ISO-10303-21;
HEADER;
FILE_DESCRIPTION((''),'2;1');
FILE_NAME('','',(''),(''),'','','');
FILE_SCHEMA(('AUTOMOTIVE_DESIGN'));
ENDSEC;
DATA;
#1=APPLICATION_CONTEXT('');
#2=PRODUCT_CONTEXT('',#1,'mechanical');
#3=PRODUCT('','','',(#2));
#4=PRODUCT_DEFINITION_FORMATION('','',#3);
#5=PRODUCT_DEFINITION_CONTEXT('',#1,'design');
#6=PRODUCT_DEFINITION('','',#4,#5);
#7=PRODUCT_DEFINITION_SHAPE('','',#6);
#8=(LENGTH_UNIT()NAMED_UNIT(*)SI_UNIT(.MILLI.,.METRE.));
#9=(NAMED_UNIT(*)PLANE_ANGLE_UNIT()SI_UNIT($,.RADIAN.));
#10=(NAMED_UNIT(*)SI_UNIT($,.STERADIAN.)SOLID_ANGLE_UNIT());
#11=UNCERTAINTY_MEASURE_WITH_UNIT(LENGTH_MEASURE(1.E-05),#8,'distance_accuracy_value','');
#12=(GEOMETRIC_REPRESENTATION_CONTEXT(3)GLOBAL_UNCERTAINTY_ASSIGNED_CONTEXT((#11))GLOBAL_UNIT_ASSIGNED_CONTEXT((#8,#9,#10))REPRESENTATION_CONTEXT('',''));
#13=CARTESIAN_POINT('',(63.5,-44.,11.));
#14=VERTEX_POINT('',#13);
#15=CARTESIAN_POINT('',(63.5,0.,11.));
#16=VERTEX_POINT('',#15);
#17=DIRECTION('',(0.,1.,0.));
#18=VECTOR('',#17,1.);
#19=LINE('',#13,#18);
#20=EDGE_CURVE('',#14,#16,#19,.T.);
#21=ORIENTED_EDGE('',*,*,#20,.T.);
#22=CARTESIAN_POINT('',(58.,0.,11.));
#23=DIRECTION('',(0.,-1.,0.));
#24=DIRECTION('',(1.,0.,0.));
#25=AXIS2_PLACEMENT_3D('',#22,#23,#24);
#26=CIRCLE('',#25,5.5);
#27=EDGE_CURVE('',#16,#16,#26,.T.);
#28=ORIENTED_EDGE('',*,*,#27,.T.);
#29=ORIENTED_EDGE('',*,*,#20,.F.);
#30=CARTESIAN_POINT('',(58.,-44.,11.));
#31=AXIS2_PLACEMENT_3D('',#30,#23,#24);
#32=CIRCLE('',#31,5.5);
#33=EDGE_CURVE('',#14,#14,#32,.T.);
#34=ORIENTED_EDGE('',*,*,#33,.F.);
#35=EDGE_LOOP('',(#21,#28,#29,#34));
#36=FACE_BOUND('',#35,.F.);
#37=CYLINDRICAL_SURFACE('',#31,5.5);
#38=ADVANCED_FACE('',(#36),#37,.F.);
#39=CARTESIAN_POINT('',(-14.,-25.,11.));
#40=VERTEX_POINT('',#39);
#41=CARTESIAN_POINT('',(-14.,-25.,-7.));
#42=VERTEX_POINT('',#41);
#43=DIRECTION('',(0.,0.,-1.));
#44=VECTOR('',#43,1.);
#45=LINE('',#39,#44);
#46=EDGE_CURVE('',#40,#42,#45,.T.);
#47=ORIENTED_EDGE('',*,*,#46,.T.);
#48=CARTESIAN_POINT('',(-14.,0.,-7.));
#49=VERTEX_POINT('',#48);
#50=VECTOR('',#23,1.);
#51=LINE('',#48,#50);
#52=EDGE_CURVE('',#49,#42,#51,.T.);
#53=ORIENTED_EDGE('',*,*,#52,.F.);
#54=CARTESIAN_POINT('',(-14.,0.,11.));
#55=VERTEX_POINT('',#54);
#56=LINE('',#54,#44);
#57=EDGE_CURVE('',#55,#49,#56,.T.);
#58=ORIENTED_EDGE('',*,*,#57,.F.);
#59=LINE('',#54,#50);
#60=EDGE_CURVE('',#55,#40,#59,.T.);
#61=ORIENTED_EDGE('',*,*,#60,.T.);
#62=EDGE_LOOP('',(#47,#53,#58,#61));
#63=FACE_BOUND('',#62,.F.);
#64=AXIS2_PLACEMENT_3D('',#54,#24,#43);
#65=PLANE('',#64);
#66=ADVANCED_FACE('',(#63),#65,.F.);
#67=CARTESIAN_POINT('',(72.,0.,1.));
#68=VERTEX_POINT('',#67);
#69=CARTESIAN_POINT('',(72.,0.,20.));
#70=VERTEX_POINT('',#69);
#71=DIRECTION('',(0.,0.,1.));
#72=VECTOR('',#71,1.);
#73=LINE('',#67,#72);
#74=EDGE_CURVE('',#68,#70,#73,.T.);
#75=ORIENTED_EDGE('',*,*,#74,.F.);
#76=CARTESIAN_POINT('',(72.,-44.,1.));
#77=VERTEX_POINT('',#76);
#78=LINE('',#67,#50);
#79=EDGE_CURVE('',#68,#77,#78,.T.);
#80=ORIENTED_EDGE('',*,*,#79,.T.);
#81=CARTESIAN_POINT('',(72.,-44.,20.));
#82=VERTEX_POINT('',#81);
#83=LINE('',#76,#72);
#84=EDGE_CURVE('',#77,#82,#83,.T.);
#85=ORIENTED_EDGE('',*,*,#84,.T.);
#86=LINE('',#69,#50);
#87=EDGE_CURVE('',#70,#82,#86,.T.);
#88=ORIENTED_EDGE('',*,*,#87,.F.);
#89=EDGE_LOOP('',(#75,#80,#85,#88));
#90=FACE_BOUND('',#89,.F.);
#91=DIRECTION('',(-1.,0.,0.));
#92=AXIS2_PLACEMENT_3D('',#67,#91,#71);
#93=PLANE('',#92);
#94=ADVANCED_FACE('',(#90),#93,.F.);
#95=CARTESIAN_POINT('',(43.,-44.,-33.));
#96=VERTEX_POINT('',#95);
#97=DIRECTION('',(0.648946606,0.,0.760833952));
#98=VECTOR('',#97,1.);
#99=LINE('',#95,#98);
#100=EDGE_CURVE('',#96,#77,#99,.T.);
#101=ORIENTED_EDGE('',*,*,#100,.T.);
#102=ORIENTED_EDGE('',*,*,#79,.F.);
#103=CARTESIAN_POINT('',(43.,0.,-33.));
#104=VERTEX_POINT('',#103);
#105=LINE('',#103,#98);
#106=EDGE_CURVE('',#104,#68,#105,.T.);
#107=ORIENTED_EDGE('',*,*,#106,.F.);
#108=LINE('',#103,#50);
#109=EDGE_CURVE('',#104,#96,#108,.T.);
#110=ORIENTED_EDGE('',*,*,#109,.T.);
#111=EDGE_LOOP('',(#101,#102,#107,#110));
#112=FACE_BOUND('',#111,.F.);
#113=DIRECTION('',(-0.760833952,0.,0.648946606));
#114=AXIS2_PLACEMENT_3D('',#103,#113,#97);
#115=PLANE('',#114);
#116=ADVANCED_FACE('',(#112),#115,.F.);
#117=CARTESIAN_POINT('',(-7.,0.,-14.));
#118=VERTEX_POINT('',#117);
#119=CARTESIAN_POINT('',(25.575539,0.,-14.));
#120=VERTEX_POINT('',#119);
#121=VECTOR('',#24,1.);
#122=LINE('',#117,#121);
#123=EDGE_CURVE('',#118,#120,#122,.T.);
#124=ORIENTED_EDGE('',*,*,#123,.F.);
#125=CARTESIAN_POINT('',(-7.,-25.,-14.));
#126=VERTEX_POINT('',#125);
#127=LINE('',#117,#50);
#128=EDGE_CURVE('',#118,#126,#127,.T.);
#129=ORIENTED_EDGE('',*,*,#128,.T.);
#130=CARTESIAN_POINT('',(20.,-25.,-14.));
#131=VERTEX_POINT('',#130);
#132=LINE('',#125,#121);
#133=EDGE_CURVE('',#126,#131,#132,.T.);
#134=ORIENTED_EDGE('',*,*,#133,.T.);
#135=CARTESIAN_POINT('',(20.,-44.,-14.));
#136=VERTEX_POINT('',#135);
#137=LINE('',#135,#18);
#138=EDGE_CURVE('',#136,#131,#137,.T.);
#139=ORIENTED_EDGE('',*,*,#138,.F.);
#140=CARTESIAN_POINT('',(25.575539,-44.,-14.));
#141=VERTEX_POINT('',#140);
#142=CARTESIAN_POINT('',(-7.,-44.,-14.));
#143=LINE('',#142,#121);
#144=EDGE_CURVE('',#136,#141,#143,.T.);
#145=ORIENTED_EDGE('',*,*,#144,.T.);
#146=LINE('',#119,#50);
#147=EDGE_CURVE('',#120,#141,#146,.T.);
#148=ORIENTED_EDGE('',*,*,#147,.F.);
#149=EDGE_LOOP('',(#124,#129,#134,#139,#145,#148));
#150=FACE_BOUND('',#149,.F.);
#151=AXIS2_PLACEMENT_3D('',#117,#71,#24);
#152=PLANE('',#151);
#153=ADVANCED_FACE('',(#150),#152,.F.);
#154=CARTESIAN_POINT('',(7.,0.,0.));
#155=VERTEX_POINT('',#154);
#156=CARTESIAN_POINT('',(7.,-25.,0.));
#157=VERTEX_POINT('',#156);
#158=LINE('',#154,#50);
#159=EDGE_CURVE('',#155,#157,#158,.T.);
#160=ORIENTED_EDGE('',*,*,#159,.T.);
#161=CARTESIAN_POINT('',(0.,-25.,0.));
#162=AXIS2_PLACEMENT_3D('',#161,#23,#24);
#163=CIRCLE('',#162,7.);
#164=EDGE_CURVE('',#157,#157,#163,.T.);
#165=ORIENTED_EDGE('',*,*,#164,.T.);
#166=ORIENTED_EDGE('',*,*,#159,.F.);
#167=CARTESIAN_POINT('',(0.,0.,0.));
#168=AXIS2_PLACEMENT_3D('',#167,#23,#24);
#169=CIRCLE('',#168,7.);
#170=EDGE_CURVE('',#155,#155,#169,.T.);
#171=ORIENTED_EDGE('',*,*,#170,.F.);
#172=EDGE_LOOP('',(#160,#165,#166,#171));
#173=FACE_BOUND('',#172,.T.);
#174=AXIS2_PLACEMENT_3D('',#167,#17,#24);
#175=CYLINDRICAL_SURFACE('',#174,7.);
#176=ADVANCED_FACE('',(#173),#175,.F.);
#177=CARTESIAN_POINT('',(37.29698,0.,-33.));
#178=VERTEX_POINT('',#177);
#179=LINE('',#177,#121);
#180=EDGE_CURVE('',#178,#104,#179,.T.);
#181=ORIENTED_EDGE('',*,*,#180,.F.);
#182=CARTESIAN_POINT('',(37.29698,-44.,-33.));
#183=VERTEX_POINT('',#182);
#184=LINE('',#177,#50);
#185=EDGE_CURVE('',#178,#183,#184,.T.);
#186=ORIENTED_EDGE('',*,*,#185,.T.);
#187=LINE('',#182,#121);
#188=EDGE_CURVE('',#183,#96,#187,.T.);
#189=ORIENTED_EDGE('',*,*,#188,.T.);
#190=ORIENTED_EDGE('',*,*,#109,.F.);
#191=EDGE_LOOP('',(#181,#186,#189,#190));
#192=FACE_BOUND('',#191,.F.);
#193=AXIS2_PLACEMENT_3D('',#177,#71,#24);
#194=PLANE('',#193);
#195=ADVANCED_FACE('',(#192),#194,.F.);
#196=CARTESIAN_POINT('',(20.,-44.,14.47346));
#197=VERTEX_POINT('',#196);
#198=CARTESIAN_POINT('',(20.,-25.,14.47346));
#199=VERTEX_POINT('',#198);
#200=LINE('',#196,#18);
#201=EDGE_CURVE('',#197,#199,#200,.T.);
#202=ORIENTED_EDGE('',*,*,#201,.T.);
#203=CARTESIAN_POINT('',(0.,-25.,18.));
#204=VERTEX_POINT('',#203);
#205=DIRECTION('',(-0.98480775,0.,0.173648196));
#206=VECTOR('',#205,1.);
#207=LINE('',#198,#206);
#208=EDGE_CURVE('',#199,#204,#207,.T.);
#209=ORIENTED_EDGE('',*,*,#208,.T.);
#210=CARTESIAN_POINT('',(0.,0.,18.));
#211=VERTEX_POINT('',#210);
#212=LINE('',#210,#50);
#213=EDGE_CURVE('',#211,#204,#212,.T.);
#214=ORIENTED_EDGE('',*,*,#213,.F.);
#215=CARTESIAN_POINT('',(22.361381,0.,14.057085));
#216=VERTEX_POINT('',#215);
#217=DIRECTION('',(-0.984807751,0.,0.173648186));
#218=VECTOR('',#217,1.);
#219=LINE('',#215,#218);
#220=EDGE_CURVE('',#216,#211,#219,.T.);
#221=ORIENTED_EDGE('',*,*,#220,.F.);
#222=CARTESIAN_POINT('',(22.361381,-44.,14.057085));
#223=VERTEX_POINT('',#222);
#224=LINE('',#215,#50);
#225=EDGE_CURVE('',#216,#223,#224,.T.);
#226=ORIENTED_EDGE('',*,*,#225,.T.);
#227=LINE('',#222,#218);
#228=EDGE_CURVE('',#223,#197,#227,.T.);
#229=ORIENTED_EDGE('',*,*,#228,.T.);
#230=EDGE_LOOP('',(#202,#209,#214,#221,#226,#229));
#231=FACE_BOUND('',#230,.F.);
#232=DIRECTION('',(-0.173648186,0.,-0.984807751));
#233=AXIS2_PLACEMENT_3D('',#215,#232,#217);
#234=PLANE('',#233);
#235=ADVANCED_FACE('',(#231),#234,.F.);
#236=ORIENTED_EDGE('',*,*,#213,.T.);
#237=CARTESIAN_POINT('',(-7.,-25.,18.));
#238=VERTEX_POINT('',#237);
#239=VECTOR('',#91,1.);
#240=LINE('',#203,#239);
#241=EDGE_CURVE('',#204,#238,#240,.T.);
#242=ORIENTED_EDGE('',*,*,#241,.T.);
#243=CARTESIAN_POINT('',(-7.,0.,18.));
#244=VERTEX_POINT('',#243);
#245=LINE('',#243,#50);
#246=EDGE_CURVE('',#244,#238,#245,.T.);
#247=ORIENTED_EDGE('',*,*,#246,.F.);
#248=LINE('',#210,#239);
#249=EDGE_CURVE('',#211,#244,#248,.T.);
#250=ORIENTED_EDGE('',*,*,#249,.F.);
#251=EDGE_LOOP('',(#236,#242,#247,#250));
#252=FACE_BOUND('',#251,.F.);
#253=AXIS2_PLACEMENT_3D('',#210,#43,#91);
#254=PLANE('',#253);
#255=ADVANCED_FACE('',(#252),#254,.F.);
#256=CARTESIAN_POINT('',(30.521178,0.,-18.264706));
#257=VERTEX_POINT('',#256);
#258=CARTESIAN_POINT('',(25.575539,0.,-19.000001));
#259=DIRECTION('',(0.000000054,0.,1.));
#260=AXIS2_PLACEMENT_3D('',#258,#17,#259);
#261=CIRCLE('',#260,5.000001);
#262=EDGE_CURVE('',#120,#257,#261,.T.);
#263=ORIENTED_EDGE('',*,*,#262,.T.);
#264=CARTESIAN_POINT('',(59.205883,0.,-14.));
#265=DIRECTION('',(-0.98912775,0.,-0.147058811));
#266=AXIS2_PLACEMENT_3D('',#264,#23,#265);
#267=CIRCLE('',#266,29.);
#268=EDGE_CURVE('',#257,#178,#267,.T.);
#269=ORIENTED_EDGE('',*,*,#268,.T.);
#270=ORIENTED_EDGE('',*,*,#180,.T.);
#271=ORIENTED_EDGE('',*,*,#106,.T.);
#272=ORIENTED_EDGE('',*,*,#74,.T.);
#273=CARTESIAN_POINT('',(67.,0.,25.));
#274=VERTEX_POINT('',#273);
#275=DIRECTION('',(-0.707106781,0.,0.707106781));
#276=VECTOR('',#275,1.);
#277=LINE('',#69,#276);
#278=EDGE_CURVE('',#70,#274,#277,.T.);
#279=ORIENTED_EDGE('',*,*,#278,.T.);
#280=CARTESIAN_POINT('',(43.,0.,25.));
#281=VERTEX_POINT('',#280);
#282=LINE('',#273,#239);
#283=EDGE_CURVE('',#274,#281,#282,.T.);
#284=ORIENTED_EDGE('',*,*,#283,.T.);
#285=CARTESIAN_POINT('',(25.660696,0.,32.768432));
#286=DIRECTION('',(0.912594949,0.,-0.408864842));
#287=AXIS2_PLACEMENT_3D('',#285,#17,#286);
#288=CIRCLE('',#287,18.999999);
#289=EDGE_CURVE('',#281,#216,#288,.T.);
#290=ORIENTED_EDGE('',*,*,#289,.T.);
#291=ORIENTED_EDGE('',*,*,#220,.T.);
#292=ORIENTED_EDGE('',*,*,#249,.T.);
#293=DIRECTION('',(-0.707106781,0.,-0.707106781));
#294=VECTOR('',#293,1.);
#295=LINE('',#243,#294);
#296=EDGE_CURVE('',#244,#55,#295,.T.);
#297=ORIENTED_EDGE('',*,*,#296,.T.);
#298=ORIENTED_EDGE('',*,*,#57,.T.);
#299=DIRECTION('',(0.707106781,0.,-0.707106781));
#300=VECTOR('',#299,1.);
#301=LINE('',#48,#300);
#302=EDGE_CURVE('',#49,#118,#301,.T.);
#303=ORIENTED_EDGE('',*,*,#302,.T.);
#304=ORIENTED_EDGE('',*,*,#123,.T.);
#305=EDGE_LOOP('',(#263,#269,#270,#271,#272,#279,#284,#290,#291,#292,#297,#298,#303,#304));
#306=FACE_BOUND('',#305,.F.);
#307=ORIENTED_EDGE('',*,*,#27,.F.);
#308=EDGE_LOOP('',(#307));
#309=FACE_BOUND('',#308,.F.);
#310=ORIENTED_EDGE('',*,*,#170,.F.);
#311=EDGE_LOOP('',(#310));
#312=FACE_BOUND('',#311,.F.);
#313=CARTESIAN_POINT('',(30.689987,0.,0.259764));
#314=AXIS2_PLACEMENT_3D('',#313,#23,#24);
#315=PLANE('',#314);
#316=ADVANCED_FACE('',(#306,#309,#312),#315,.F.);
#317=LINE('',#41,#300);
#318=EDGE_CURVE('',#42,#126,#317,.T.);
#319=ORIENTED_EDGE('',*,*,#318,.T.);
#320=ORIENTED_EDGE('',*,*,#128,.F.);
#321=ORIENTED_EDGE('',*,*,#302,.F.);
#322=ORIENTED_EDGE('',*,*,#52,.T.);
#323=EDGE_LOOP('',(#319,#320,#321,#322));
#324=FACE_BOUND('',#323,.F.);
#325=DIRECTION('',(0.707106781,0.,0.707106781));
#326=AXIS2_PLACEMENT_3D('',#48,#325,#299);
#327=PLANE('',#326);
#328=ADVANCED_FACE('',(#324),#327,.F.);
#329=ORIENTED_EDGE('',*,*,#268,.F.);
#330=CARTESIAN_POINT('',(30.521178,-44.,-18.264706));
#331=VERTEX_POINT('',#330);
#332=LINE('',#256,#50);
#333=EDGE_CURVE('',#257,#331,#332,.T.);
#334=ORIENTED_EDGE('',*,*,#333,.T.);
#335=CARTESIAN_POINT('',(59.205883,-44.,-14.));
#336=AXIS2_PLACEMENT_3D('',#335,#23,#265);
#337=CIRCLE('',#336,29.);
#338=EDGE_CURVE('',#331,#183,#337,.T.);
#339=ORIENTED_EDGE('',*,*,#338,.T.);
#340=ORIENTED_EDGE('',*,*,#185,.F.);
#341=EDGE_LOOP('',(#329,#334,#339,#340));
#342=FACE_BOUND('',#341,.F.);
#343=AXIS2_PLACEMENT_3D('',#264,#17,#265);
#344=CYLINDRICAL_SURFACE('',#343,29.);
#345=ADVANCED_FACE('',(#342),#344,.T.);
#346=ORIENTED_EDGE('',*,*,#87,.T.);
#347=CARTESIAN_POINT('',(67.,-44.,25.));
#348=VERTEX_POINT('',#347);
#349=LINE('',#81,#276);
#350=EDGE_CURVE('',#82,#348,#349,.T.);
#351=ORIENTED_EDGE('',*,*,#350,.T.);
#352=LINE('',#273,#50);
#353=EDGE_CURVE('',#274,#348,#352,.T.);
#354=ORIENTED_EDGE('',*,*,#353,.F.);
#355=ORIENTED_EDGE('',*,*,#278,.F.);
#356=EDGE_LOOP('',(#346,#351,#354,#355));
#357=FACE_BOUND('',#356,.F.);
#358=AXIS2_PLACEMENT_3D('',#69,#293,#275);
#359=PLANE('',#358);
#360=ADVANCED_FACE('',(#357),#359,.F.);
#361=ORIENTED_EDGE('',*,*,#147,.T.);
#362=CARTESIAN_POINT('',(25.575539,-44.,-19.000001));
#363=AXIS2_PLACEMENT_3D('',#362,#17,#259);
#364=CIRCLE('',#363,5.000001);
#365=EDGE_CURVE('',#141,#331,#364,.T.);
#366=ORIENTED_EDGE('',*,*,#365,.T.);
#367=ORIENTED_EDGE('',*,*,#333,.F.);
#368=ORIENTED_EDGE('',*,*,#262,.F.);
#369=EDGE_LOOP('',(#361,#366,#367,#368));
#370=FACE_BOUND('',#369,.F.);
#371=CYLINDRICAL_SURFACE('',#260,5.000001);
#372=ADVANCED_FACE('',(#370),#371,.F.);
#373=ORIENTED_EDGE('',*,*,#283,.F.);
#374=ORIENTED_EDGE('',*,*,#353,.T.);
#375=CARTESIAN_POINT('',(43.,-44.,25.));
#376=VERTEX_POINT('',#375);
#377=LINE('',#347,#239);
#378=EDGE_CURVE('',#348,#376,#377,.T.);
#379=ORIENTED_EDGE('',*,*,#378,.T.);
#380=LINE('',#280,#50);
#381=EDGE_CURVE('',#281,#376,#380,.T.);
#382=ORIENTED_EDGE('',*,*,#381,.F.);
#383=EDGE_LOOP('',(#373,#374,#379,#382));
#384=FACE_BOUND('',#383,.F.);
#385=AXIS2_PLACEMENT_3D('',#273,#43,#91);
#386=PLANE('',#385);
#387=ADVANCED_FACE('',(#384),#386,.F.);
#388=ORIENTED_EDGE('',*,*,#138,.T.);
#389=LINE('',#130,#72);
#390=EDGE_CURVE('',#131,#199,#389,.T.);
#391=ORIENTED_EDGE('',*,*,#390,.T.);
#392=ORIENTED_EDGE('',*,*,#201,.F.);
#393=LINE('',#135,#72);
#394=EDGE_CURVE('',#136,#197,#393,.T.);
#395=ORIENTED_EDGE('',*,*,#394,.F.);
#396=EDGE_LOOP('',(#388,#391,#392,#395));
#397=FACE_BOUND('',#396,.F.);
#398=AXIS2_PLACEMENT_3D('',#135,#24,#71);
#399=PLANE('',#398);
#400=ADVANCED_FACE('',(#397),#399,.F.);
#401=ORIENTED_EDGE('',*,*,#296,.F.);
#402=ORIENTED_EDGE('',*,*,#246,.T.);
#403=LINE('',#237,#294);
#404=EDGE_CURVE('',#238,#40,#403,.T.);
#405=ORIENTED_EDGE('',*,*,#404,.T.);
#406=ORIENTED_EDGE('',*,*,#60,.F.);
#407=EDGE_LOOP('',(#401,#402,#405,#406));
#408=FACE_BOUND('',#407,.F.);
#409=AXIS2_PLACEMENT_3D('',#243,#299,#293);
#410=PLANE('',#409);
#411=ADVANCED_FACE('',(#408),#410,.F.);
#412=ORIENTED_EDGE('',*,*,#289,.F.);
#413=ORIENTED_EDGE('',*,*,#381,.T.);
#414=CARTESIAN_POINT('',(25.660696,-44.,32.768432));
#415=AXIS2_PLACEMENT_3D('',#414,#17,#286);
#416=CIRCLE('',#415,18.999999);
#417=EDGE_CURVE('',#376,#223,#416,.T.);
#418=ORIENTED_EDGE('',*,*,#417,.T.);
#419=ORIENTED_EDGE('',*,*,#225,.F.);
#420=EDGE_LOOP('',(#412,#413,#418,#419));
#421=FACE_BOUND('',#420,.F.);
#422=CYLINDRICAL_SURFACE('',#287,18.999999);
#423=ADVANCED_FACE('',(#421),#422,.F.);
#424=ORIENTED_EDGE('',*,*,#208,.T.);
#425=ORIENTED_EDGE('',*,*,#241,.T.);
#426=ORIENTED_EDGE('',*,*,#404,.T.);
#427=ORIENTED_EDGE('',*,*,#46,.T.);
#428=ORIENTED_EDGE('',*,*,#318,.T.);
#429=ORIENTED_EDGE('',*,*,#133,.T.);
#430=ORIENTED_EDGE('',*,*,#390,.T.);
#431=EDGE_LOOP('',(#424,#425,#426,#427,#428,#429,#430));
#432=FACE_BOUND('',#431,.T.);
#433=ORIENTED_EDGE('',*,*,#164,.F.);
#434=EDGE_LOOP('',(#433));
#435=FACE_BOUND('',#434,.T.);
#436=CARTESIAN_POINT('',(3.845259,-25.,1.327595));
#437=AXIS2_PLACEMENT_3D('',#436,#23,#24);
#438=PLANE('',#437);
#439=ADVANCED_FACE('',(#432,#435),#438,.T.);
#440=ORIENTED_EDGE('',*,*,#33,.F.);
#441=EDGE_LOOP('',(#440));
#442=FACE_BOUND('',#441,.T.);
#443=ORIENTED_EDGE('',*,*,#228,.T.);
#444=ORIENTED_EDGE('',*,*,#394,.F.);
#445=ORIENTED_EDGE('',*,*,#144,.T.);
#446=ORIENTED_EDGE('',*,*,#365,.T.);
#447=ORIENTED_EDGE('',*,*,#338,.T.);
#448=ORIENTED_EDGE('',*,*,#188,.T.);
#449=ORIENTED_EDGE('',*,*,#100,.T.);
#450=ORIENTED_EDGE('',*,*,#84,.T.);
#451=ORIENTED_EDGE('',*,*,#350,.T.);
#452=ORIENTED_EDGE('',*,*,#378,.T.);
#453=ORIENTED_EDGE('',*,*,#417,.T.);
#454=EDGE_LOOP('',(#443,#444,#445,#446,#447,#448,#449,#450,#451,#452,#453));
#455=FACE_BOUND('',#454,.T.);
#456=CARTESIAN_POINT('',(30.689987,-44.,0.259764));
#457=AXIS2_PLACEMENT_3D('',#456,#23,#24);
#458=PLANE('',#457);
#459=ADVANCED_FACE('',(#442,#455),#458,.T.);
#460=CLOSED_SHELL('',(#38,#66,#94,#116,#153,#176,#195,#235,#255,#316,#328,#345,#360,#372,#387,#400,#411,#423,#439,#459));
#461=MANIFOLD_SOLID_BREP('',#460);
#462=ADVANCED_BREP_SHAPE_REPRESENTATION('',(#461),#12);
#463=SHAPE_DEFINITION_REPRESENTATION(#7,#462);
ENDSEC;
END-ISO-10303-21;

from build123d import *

# Parameters (mm, degrees)
F0_R     = 7
F1_DEPTH = 44
F2_R     = 7
F3_DEPTH = 19
F2_R_2   = 5.5
F4_DEPTH = 44.001


with BuildPart() as f1:
    # F0 (on Front) → F1 (new body)
    with BuildSketch(Plane.XZ):
        with BuildLine():
            Line((-7, 18), (-14, 11))
            Line((-14, 11), (-14, -7))
            Line((-14, -7), (-7, -14))
            Line((-7, -14), (25.575539, -14))
            ThreePointArc((25.575539, -14), (28.840775, -15.213414), (30.521178, -18.264706))
            ThreePointArc((30.521178, -18.264706), (32.858008, -26.115672), (37.29698, -33))
            Line((37.29698, -33), (43, -33))
            Line((43, -33), (72, 1))
            Line((72, 1), (72, 20))
            Line((72, 20), (67, 25))
            Line((67, 25), (43, 25))
            ThreePointArc((43, 25), (34.561099, 15.982044), (22.361381, 14.057085))
            Line((22.361381, 14.057085), (0, 18))
            Line((0, 18), (-7, 18))
        make_face()
        Circle(F0_R, mode=Mode.SUBTRACT)
    extrude(amount=F1_DEPTH)

    # F2 (on face) → F3 (cut)
    with BuildSketch(Plane.XZ.offset(44)):
        Polygon((20, -14), (20, 14.47346), (0, 18), (-7, 18), (-14, 11), (-14, -7), (-7, -14), align=None)
        Circle(F2_R, mode=Mode.SUBTRACT)
    extrude(amount=-F3_DEPTH, mode=Mode.SUBTRACT)

    # F2 (on face) → F4 (cut, through all)
    with BuildSketch(Plane.XZ.offset(44)):
        with Locations((58, 11)):
            Circle(F2_R_2)
    extrude(amount=-F4_DEPTH, mode=Mode.SUBTRACT)


solid = f1.part
